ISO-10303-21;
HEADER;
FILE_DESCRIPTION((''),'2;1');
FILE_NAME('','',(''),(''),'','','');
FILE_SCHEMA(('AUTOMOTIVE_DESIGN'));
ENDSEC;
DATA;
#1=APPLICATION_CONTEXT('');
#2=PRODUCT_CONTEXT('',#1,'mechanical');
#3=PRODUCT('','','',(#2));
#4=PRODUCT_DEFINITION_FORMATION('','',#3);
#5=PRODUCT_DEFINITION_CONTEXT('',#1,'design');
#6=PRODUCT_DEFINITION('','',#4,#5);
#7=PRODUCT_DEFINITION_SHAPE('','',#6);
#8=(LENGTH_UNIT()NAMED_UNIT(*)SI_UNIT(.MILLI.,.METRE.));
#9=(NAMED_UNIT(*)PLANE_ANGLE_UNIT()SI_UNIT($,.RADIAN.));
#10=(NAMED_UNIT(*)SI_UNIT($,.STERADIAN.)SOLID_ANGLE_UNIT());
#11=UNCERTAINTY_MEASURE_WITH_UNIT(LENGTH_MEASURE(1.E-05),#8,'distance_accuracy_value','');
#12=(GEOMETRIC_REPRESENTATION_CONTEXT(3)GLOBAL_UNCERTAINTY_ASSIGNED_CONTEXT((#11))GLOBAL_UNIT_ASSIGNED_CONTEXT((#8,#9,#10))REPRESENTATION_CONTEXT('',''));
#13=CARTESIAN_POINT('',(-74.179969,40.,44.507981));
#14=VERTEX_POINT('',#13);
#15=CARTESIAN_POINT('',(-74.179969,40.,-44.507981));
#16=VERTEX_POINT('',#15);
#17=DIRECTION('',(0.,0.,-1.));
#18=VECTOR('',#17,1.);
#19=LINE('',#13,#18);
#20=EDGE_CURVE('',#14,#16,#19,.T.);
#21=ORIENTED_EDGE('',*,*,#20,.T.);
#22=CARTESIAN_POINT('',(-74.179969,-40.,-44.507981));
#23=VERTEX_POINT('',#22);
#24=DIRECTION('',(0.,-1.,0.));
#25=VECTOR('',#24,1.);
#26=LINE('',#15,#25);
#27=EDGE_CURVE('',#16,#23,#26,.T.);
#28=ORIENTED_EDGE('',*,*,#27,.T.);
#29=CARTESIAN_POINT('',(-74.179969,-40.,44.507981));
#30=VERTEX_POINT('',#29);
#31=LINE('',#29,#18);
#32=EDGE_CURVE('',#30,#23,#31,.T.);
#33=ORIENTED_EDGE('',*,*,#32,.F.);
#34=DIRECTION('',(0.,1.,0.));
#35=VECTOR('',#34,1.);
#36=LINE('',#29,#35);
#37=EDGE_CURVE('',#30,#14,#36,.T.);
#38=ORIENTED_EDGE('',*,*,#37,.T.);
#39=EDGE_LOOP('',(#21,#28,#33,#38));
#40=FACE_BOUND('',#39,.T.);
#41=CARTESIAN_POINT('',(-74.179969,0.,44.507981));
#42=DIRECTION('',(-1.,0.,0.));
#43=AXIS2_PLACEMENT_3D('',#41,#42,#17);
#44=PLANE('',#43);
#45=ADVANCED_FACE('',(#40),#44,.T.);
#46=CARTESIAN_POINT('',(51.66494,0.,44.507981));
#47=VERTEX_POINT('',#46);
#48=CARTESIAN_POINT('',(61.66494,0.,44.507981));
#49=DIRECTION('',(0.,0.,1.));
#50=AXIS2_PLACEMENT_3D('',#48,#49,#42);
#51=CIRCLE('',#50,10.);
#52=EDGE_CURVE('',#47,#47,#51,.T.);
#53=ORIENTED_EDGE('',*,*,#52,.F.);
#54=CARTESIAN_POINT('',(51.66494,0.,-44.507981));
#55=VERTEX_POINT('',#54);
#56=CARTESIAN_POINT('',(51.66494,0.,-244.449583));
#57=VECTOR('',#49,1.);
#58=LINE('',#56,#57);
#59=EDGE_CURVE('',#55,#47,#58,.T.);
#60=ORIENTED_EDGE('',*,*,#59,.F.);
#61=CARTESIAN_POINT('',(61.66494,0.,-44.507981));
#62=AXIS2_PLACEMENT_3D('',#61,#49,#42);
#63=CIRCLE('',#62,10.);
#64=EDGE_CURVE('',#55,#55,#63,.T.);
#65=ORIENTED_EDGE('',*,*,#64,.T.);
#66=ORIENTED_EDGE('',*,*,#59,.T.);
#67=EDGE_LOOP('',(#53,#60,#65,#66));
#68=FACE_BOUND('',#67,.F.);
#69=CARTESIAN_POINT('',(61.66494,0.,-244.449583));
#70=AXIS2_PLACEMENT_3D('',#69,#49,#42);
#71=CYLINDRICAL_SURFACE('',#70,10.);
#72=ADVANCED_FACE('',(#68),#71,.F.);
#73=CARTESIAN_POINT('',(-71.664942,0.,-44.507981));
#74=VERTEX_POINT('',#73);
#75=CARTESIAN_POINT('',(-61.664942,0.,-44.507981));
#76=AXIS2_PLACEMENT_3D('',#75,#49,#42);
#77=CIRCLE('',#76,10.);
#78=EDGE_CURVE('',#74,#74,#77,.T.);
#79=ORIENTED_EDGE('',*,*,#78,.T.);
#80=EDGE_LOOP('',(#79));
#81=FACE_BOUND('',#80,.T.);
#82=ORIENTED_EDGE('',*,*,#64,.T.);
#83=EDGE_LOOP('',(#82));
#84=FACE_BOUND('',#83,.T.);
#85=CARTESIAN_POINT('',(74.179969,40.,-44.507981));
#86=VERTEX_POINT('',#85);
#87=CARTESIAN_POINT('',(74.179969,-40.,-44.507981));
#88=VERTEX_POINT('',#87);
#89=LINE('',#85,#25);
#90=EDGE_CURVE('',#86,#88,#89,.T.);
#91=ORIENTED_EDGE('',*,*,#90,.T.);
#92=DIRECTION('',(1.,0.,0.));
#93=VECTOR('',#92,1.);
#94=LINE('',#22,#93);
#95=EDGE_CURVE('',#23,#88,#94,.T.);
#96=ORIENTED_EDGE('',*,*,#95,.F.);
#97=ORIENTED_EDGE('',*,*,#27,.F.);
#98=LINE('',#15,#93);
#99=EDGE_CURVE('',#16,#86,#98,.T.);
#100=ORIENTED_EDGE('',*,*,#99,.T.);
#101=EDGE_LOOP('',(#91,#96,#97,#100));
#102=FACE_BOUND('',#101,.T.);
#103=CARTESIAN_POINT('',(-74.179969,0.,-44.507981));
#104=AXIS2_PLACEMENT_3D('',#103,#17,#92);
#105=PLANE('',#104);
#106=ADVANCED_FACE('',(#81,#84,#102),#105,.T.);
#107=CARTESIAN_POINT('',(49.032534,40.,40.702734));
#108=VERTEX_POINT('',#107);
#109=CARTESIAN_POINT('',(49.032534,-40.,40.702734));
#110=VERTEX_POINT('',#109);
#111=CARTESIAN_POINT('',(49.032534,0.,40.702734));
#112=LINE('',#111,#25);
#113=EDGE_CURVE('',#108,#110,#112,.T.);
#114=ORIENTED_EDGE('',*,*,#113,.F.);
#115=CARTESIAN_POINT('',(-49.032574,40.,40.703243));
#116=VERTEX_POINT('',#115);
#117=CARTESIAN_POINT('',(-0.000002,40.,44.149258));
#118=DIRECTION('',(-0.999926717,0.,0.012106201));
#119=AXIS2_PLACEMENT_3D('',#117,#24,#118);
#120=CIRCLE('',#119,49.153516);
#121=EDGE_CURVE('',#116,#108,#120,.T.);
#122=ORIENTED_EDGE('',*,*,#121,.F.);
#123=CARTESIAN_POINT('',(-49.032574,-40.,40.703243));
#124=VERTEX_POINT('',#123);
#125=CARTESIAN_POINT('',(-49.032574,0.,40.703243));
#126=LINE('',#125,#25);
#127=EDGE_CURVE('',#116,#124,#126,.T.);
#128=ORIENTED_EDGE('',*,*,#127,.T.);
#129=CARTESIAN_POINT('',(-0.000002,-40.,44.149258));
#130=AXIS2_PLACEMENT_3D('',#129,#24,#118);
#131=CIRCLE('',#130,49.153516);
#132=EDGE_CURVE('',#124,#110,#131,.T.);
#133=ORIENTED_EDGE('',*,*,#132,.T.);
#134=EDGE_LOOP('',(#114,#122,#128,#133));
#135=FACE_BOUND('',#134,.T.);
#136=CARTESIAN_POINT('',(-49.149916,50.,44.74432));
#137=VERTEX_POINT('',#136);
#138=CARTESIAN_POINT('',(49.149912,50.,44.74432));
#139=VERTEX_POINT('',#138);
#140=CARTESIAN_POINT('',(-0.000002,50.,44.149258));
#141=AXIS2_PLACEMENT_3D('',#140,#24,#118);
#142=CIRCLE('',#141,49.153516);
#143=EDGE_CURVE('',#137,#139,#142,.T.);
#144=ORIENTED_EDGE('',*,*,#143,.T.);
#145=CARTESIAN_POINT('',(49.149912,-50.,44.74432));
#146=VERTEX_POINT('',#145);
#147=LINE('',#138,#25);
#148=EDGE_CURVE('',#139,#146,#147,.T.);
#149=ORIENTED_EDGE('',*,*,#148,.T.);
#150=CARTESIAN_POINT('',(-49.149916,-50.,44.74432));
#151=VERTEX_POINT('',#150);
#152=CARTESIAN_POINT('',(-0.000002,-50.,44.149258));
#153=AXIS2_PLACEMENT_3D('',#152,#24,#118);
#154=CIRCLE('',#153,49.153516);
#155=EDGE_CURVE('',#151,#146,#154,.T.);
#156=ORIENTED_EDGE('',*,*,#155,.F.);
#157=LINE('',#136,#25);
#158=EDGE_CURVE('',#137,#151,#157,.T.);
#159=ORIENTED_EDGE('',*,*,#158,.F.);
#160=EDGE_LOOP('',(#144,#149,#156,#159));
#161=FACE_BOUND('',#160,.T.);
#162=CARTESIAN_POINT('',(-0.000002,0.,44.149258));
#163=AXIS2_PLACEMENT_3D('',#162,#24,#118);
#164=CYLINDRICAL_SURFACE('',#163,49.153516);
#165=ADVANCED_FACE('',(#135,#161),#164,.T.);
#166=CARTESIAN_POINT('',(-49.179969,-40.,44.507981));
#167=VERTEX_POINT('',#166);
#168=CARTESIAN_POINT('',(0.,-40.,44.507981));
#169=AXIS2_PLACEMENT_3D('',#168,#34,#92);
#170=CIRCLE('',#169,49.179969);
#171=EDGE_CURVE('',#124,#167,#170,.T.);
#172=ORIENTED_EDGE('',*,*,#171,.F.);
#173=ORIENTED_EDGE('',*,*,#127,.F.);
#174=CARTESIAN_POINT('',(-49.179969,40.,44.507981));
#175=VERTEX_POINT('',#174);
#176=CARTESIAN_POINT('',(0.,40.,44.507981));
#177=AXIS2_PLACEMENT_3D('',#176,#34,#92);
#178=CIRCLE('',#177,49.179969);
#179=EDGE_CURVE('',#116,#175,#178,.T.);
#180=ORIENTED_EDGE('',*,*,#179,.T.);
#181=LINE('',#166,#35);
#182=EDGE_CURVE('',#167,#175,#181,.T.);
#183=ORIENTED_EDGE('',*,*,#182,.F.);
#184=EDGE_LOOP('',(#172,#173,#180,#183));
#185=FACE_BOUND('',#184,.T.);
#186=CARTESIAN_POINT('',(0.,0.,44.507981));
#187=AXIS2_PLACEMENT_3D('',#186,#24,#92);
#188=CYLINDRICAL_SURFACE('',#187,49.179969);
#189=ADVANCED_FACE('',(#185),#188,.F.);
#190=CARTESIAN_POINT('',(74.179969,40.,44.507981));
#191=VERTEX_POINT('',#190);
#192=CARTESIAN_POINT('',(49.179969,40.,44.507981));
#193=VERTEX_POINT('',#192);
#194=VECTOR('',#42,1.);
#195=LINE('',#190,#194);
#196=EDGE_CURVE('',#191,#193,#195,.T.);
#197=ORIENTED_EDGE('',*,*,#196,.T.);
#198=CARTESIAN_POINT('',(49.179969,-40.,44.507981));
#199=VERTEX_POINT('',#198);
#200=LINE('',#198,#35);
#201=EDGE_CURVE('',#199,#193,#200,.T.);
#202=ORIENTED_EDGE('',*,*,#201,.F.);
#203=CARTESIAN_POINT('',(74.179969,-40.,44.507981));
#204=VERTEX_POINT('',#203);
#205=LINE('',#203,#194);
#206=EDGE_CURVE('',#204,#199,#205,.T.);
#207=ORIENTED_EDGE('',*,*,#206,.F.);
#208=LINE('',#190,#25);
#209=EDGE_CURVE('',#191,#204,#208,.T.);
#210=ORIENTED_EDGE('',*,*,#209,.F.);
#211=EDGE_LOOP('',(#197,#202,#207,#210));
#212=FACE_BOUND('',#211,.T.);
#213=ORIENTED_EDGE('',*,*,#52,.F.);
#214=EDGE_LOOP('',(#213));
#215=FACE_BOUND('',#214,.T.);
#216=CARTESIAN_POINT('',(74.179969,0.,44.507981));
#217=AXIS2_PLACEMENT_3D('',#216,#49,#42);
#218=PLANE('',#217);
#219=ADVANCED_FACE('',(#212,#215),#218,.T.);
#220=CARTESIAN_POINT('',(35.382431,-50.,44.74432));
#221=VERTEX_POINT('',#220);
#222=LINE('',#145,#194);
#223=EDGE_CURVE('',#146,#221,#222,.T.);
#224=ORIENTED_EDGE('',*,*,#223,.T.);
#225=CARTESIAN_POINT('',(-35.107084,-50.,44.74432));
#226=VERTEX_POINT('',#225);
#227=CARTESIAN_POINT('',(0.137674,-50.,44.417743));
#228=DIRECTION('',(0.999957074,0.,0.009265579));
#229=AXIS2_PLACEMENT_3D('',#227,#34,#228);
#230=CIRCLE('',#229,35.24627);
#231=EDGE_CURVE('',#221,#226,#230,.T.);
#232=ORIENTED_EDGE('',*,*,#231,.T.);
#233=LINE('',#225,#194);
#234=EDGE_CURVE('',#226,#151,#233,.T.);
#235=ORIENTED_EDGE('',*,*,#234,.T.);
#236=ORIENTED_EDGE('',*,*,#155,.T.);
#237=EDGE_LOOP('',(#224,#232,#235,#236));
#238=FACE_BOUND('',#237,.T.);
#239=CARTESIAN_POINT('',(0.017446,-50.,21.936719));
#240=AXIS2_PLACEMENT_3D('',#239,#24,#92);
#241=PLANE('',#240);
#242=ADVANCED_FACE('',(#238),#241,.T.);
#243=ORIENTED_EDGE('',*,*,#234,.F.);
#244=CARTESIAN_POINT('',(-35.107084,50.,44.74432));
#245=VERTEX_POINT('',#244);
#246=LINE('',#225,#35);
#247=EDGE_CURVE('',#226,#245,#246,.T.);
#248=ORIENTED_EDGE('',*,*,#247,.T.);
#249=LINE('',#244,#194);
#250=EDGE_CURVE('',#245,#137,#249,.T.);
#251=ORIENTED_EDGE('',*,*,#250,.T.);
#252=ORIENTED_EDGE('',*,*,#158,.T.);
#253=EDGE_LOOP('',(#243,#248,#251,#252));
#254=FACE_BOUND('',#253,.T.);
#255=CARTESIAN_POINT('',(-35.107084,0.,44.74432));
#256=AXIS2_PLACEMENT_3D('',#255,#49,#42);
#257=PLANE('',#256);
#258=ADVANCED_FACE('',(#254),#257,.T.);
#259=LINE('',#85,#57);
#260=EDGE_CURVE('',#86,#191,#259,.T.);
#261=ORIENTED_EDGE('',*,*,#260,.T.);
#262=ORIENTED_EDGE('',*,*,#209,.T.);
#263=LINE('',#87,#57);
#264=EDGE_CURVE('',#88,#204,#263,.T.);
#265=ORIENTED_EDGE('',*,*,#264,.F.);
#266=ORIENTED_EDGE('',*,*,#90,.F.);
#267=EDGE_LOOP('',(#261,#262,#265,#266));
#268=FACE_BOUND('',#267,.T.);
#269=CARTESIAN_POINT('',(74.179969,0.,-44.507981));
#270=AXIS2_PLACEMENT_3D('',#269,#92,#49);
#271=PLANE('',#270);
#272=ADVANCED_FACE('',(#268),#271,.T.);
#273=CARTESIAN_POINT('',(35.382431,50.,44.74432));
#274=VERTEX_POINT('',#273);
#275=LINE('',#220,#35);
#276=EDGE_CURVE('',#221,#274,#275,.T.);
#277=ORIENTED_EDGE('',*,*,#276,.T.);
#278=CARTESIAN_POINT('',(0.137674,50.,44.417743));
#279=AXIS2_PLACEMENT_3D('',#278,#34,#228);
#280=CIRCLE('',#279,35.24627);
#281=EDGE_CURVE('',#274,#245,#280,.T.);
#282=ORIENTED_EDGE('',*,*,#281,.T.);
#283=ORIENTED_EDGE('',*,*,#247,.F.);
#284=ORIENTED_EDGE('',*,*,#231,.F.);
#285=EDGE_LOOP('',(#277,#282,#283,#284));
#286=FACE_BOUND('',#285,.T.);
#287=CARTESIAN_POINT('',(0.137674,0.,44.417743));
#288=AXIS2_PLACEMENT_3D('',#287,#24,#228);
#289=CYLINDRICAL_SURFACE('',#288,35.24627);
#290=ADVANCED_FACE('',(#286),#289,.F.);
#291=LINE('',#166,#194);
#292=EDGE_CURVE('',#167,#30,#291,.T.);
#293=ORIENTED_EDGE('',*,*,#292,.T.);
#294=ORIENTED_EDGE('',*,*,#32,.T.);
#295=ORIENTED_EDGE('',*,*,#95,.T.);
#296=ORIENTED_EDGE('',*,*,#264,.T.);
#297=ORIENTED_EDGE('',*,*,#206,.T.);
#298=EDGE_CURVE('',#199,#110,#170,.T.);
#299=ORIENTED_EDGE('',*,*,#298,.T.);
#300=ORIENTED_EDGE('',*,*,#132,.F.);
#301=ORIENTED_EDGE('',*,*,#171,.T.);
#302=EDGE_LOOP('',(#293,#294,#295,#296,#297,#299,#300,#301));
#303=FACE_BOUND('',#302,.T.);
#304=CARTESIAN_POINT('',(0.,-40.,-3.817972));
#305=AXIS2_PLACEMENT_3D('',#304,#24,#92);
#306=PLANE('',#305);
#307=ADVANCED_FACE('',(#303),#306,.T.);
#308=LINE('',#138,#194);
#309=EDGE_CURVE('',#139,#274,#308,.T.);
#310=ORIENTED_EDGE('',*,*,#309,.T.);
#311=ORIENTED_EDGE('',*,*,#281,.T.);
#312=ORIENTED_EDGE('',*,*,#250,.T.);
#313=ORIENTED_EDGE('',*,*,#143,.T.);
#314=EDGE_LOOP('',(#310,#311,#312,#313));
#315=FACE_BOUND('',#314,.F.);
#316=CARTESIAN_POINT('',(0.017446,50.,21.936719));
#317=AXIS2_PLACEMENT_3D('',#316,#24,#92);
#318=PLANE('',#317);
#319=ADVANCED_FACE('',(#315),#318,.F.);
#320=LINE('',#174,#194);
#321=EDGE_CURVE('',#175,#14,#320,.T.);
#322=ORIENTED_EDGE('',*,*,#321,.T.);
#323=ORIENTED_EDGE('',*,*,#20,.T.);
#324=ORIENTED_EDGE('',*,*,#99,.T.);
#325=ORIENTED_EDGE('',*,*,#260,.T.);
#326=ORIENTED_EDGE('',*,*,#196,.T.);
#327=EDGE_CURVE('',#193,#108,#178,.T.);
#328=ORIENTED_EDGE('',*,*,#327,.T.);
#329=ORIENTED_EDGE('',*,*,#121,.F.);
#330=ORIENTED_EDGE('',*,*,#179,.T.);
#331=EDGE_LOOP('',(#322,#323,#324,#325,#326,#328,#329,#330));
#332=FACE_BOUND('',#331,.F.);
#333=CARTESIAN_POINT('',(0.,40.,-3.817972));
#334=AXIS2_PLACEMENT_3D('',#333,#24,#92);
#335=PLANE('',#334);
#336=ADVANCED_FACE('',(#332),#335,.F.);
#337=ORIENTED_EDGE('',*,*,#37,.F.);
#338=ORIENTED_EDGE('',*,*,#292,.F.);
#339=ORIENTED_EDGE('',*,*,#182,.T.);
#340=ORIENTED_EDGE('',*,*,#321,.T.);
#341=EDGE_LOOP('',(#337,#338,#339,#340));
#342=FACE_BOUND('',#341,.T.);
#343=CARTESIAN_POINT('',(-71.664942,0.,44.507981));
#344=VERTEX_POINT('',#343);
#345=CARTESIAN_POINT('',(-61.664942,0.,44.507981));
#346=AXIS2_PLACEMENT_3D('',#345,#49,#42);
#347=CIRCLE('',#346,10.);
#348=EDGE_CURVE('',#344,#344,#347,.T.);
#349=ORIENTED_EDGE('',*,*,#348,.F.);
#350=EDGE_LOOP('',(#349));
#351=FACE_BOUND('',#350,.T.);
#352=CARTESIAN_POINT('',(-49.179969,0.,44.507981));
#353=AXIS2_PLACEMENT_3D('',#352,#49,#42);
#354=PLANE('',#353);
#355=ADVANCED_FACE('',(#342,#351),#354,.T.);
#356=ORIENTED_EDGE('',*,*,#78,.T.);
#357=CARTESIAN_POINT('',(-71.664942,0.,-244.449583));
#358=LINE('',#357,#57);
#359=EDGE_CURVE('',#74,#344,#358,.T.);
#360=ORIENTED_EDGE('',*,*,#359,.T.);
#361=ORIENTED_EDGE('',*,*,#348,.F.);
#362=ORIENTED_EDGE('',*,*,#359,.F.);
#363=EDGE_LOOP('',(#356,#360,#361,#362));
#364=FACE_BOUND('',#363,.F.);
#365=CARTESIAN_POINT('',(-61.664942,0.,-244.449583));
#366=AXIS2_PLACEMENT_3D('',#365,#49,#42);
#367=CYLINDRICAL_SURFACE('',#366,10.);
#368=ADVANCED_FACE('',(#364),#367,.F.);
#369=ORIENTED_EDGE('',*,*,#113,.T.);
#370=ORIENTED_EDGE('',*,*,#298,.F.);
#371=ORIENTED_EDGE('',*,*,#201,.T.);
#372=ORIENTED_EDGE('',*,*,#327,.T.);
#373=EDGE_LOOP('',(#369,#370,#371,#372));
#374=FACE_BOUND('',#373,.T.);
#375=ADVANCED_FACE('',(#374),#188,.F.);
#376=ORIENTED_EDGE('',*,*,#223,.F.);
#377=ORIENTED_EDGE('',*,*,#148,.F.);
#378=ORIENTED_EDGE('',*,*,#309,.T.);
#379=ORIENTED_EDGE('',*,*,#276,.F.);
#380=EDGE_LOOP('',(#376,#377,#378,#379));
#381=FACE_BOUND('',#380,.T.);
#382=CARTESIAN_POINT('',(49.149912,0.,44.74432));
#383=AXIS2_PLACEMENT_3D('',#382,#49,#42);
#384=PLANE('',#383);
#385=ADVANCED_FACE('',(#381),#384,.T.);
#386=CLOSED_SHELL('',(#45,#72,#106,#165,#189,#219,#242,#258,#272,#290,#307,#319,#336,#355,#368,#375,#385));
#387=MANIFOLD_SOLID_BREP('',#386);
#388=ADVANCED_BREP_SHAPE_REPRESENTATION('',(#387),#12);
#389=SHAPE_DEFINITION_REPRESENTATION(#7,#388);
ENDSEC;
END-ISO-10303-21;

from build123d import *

# Parameters (mm, degrees)
F2_DEPTH = 40
F3_DEPTH = 50
F5_D     = 20


with BuildPart() as f2:
    # F0 (on Front) → F2 (new body, symmetric)
    with BuildSketch(Plane.XZ):
        with BuildLine():
            Line((-74.1799686244, 44.5079811746), (-74.1799686244, -44.5079811746))
            Line((-74.1799686244, -44.5079811746), (74.1799686244, -44.5079811746))
            Line((74.1799686244, -44.5079811746), (74.1799686244, 44.5079811746))
            Line((74.1799686244, 44.5079811746), (49.1799686244, 44.5079811746))
            ThreePointArc((49.1799686244, 44.5079811746), (0, -4.6719874497), (-49.1799686244, 44.5079811746))
            Line((-49.1799686244, 44.5079811746), (-74.1799686244, 44.5079811746))
        make_face()
    extrude(amount=F2_DEPTH, both=True)

    # F1 (on Front) → F3 (join, symmetric)
    with BuildSketch(Plane.XZ):
        with BuildLine():
            Line((-35.1070836186, 44.7443202138), (-49.149915576, 44.7443202138))
            ThreePointArc((-49.149915576, 44.7443202138), (-1.8626e-06, -5.0042579476), (49.1499118507, 44.7443202138))
            Line((49.1499118507, 44.7443202138), (35.3824310005, 44.7443202138))
            ThreePointArc((35.3824310005, 44.7443202138), (0.1376736909, 9.1714728244), (-35.1070836186, 44.7443202138))
        make_face()
    extrude(amount=F3_DEPTH, both=True)

    # F5 (through all)
    with Locations(Plane(origin=(0, 0, -44.5079811746), x_dir=(1, 0, 0), z_dir=(0, 0, -1))):
        with Locations((-61.6649421002, 0), (61.6649402375, 0)):
            Hole(F5_D / 2)


solid = f2.part
